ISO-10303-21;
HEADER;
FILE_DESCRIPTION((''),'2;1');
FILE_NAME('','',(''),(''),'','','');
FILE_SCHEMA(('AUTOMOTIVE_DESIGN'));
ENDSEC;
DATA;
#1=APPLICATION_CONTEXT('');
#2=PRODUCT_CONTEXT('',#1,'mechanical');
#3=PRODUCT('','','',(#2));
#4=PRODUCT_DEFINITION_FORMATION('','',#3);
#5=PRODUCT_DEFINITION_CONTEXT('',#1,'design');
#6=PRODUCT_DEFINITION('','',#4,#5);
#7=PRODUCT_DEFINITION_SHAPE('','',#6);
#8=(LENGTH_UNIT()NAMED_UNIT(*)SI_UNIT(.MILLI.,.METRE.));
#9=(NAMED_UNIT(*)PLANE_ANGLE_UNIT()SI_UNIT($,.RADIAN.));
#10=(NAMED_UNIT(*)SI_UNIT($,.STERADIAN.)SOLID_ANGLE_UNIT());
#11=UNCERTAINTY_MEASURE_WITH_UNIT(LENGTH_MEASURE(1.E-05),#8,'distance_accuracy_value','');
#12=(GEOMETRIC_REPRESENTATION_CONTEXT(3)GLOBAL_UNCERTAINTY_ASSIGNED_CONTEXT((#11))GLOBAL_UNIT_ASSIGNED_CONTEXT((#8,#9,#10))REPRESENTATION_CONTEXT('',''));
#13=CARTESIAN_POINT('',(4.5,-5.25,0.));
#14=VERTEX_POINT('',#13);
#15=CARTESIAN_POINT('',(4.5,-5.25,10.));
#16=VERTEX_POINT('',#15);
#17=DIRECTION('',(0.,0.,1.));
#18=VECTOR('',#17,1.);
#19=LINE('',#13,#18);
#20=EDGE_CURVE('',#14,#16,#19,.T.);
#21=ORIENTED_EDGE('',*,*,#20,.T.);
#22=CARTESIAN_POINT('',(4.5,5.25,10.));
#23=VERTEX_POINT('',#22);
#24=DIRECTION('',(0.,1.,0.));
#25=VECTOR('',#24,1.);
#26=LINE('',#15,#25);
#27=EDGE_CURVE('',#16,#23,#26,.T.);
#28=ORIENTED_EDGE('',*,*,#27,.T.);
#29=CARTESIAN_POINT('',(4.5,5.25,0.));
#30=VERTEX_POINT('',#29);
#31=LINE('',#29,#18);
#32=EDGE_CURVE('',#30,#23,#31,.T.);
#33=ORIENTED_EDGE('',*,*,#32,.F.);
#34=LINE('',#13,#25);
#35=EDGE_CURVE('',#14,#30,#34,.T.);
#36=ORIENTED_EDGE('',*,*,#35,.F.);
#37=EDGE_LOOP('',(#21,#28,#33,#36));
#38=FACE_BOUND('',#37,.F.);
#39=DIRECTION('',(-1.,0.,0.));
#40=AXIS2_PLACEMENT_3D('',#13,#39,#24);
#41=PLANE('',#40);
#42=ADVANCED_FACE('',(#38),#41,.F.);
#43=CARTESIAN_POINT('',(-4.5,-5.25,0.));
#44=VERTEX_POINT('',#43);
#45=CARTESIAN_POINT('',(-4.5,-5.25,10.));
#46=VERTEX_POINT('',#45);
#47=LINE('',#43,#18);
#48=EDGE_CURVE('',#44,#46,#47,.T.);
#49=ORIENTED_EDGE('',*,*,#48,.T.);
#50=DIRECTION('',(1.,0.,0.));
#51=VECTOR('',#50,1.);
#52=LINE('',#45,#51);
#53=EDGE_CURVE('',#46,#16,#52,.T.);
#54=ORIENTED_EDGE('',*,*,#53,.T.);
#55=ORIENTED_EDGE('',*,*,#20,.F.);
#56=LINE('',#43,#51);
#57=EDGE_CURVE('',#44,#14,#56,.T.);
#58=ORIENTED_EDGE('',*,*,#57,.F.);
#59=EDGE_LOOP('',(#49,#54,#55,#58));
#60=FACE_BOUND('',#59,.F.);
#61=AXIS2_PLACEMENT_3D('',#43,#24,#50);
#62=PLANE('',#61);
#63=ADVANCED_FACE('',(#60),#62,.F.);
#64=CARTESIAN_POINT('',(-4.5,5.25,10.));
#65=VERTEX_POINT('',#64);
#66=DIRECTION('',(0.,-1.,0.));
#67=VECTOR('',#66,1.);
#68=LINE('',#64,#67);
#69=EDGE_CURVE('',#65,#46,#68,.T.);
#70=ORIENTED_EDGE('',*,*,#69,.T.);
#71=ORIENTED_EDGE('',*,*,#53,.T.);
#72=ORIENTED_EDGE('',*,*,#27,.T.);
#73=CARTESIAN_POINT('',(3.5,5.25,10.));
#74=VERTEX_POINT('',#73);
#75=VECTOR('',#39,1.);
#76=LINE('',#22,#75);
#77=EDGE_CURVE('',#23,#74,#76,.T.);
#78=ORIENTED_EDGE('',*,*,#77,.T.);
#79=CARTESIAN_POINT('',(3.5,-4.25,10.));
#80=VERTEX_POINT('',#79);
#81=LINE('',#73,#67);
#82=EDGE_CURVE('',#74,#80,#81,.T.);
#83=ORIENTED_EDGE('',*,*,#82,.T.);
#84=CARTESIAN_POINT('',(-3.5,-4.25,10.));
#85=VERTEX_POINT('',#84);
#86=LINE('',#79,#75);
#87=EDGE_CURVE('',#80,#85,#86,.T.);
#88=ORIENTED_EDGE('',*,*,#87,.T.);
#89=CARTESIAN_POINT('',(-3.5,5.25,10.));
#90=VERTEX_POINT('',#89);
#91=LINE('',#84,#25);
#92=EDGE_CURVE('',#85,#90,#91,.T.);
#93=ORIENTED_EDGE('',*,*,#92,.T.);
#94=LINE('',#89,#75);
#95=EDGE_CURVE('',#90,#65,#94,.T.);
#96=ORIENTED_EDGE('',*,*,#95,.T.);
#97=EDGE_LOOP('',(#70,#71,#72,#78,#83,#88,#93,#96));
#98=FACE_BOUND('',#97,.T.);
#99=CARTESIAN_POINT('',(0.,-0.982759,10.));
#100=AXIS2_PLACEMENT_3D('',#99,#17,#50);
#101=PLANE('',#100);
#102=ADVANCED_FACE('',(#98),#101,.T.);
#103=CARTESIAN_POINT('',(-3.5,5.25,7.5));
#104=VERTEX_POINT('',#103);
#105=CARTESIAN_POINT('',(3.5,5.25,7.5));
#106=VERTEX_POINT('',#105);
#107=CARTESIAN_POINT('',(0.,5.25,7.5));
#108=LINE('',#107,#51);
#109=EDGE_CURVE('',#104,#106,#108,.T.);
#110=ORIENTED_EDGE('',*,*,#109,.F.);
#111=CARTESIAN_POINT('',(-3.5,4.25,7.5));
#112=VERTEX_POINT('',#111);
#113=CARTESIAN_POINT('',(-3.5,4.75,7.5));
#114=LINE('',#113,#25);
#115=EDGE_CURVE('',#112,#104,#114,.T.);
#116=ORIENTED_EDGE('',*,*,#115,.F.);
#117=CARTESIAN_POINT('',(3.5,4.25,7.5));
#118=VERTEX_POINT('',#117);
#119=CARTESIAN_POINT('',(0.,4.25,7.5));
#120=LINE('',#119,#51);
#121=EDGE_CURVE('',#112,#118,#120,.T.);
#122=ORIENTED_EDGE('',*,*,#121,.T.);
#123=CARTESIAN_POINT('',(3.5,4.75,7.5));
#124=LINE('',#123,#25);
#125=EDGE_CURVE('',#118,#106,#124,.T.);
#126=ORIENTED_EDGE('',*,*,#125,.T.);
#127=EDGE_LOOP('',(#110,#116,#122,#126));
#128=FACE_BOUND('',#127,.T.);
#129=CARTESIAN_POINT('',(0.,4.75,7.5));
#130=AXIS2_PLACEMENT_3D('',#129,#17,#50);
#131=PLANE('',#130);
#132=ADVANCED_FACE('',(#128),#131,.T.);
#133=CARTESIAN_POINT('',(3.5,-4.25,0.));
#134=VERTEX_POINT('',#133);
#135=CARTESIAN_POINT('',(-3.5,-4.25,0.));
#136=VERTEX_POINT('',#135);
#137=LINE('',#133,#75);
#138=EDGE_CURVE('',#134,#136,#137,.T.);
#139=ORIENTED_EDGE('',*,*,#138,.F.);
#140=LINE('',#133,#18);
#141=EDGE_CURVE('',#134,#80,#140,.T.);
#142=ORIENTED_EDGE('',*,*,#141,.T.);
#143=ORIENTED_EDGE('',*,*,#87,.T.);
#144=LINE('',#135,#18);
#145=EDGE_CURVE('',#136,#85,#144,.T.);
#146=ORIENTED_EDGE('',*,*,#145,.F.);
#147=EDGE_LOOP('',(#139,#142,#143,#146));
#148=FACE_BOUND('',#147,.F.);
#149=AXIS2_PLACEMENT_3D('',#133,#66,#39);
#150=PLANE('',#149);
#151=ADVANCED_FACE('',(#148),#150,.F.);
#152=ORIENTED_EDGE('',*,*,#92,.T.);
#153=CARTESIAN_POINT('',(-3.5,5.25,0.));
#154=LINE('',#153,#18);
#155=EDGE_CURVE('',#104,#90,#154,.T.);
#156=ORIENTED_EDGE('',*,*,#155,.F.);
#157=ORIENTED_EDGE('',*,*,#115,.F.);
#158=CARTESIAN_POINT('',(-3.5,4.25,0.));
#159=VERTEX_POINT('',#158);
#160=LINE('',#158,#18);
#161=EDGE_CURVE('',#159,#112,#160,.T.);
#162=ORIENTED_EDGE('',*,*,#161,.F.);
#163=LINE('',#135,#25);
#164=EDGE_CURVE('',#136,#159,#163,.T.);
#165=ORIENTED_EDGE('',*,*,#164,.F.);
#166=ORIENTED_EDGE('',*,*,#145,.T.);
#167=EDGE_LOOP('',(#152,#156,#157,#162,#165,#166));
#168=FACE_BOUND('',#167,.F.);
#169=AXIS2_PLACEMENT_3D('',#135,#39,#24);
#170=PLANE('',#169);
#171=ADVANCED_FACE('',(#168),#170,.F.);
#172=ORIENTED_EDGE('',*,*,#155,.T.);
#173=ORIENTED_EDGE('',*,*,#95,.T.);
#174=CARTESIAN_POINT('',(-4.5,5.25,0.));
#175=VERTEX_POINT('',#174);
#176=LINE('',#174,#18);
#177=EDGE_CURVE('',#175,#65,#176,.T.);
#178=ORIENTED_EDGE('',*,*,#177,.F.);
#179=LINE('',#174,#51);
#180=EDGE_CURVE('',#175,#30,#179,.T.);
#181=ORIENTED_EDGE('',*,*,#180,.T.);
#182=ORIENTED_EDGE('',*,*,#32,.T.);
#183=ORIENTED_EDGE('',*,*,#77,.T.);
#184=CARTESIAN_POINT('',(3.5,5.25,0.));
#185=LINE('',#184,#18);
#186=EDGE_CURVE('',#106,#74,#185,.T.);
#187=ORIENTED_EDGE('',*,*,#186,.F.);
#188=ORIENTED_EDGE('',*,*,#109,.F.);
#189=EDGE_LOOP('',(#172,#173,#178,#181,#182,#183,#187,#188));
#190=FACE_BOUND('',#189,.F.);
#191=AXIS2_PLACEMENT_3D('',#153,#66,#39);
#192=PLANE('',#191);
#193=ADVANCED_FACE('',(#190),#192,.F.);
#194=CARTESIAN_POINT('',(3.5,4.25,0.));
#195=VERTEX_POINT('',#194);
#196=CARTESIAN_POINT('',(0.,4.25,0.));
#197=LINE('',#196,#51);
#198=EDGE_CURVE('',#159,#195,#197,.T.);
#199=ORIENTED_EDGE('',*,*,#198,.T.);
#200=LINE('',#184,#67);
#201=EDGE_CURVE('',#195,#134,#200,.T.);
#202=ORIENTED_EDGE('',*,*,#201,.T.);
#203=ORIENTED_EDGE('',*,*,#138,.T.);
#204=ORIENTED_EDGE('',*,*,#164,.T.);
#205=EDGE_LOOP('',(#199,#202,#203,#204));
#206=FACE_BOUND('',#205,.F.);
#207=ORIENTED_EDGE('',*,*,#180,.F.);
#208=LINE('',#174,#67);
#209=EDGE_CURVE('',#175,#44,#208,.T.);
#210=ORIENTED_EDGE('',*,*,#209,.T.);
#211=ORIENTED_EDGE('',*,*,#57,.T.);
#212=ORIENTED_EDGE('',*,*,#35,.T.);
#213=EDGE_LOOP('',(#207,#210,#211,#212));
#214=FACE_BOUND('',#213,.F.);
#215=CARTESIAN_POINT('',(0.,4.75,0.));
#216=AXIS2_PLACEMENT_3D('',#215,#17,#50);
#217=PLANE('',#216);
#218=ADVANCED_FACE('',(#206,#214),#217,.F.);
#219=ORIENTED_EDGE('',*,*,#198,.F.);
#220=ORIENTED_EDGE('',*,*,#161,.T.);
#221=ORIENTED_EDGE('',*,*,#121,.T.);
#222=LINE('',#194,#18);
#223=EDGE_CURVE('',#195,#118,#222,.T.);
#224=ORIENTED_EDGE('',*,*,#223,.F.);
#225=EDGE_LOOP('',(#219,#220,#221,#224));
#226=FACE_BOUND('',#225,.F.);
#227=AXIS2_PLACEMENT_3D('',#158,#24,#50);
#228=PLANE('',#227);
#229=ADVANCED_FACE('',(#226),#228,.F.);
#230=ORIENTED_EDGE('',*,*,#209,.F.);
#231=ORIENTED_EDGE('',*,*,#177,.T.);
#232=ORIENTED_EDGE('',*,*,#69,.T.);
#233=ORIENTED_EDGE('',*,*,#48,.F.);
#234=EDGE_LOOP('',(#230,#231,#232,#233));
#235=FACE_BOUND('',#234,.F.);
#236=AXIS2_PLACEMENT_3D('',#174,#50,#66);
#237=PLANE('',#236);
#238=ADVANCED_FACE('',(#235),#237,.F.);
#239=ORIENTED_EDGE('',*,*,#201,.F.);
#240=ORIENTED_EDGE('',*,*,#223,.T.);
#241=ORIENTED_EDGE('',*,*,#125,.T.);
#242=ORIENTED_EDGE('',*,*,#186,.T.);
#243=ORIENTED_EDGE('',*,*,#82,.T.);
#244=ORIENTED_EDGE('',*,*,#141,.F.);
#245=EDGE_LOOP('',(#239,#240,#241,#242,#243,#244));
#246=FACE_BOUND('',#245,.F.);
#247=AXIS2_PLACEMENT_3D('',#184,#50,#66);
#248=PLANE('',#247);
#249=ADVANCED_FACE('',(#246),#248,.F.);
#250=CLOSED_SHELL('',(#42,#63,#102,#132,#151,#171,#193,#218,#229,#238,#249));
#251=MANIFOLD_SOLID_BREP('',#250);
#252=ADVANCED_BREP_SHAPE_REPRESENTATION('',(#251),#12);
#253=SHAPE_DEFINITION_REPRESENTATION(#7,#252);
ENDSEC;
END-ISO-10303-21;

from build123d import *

# Parameters (mm, degrees)
F1_DEPTH = 10
F0_W     = 7
F0_H     = 1
F2_DEPTH = 7.5


with BuildPart() as f1:
    # F0 (on Top) → F1 (new body)
    with BuildSketch(Plane.XY):
        Polygon((-3.5, -4.25), (-3.5, 4.25), (-3.5, 5.25), (-4.5, 5.25), (-4.5, -5.25), (4.5, -5.25), (4.5, 5.25), (3.5, 5.25), (3.5, 4.25), (3.5, -4.25), align=None)
    extrude(amount=F1_DEPTH)

    # F0 (on Top) → F2 (join)
    with BuildSketch(Plane.XY):
        with Locations((0, 4.75)):
            Rectangle(F0_W, F0_H)
    extrude(amount=F2_DEPTH)


solid = f1.part
